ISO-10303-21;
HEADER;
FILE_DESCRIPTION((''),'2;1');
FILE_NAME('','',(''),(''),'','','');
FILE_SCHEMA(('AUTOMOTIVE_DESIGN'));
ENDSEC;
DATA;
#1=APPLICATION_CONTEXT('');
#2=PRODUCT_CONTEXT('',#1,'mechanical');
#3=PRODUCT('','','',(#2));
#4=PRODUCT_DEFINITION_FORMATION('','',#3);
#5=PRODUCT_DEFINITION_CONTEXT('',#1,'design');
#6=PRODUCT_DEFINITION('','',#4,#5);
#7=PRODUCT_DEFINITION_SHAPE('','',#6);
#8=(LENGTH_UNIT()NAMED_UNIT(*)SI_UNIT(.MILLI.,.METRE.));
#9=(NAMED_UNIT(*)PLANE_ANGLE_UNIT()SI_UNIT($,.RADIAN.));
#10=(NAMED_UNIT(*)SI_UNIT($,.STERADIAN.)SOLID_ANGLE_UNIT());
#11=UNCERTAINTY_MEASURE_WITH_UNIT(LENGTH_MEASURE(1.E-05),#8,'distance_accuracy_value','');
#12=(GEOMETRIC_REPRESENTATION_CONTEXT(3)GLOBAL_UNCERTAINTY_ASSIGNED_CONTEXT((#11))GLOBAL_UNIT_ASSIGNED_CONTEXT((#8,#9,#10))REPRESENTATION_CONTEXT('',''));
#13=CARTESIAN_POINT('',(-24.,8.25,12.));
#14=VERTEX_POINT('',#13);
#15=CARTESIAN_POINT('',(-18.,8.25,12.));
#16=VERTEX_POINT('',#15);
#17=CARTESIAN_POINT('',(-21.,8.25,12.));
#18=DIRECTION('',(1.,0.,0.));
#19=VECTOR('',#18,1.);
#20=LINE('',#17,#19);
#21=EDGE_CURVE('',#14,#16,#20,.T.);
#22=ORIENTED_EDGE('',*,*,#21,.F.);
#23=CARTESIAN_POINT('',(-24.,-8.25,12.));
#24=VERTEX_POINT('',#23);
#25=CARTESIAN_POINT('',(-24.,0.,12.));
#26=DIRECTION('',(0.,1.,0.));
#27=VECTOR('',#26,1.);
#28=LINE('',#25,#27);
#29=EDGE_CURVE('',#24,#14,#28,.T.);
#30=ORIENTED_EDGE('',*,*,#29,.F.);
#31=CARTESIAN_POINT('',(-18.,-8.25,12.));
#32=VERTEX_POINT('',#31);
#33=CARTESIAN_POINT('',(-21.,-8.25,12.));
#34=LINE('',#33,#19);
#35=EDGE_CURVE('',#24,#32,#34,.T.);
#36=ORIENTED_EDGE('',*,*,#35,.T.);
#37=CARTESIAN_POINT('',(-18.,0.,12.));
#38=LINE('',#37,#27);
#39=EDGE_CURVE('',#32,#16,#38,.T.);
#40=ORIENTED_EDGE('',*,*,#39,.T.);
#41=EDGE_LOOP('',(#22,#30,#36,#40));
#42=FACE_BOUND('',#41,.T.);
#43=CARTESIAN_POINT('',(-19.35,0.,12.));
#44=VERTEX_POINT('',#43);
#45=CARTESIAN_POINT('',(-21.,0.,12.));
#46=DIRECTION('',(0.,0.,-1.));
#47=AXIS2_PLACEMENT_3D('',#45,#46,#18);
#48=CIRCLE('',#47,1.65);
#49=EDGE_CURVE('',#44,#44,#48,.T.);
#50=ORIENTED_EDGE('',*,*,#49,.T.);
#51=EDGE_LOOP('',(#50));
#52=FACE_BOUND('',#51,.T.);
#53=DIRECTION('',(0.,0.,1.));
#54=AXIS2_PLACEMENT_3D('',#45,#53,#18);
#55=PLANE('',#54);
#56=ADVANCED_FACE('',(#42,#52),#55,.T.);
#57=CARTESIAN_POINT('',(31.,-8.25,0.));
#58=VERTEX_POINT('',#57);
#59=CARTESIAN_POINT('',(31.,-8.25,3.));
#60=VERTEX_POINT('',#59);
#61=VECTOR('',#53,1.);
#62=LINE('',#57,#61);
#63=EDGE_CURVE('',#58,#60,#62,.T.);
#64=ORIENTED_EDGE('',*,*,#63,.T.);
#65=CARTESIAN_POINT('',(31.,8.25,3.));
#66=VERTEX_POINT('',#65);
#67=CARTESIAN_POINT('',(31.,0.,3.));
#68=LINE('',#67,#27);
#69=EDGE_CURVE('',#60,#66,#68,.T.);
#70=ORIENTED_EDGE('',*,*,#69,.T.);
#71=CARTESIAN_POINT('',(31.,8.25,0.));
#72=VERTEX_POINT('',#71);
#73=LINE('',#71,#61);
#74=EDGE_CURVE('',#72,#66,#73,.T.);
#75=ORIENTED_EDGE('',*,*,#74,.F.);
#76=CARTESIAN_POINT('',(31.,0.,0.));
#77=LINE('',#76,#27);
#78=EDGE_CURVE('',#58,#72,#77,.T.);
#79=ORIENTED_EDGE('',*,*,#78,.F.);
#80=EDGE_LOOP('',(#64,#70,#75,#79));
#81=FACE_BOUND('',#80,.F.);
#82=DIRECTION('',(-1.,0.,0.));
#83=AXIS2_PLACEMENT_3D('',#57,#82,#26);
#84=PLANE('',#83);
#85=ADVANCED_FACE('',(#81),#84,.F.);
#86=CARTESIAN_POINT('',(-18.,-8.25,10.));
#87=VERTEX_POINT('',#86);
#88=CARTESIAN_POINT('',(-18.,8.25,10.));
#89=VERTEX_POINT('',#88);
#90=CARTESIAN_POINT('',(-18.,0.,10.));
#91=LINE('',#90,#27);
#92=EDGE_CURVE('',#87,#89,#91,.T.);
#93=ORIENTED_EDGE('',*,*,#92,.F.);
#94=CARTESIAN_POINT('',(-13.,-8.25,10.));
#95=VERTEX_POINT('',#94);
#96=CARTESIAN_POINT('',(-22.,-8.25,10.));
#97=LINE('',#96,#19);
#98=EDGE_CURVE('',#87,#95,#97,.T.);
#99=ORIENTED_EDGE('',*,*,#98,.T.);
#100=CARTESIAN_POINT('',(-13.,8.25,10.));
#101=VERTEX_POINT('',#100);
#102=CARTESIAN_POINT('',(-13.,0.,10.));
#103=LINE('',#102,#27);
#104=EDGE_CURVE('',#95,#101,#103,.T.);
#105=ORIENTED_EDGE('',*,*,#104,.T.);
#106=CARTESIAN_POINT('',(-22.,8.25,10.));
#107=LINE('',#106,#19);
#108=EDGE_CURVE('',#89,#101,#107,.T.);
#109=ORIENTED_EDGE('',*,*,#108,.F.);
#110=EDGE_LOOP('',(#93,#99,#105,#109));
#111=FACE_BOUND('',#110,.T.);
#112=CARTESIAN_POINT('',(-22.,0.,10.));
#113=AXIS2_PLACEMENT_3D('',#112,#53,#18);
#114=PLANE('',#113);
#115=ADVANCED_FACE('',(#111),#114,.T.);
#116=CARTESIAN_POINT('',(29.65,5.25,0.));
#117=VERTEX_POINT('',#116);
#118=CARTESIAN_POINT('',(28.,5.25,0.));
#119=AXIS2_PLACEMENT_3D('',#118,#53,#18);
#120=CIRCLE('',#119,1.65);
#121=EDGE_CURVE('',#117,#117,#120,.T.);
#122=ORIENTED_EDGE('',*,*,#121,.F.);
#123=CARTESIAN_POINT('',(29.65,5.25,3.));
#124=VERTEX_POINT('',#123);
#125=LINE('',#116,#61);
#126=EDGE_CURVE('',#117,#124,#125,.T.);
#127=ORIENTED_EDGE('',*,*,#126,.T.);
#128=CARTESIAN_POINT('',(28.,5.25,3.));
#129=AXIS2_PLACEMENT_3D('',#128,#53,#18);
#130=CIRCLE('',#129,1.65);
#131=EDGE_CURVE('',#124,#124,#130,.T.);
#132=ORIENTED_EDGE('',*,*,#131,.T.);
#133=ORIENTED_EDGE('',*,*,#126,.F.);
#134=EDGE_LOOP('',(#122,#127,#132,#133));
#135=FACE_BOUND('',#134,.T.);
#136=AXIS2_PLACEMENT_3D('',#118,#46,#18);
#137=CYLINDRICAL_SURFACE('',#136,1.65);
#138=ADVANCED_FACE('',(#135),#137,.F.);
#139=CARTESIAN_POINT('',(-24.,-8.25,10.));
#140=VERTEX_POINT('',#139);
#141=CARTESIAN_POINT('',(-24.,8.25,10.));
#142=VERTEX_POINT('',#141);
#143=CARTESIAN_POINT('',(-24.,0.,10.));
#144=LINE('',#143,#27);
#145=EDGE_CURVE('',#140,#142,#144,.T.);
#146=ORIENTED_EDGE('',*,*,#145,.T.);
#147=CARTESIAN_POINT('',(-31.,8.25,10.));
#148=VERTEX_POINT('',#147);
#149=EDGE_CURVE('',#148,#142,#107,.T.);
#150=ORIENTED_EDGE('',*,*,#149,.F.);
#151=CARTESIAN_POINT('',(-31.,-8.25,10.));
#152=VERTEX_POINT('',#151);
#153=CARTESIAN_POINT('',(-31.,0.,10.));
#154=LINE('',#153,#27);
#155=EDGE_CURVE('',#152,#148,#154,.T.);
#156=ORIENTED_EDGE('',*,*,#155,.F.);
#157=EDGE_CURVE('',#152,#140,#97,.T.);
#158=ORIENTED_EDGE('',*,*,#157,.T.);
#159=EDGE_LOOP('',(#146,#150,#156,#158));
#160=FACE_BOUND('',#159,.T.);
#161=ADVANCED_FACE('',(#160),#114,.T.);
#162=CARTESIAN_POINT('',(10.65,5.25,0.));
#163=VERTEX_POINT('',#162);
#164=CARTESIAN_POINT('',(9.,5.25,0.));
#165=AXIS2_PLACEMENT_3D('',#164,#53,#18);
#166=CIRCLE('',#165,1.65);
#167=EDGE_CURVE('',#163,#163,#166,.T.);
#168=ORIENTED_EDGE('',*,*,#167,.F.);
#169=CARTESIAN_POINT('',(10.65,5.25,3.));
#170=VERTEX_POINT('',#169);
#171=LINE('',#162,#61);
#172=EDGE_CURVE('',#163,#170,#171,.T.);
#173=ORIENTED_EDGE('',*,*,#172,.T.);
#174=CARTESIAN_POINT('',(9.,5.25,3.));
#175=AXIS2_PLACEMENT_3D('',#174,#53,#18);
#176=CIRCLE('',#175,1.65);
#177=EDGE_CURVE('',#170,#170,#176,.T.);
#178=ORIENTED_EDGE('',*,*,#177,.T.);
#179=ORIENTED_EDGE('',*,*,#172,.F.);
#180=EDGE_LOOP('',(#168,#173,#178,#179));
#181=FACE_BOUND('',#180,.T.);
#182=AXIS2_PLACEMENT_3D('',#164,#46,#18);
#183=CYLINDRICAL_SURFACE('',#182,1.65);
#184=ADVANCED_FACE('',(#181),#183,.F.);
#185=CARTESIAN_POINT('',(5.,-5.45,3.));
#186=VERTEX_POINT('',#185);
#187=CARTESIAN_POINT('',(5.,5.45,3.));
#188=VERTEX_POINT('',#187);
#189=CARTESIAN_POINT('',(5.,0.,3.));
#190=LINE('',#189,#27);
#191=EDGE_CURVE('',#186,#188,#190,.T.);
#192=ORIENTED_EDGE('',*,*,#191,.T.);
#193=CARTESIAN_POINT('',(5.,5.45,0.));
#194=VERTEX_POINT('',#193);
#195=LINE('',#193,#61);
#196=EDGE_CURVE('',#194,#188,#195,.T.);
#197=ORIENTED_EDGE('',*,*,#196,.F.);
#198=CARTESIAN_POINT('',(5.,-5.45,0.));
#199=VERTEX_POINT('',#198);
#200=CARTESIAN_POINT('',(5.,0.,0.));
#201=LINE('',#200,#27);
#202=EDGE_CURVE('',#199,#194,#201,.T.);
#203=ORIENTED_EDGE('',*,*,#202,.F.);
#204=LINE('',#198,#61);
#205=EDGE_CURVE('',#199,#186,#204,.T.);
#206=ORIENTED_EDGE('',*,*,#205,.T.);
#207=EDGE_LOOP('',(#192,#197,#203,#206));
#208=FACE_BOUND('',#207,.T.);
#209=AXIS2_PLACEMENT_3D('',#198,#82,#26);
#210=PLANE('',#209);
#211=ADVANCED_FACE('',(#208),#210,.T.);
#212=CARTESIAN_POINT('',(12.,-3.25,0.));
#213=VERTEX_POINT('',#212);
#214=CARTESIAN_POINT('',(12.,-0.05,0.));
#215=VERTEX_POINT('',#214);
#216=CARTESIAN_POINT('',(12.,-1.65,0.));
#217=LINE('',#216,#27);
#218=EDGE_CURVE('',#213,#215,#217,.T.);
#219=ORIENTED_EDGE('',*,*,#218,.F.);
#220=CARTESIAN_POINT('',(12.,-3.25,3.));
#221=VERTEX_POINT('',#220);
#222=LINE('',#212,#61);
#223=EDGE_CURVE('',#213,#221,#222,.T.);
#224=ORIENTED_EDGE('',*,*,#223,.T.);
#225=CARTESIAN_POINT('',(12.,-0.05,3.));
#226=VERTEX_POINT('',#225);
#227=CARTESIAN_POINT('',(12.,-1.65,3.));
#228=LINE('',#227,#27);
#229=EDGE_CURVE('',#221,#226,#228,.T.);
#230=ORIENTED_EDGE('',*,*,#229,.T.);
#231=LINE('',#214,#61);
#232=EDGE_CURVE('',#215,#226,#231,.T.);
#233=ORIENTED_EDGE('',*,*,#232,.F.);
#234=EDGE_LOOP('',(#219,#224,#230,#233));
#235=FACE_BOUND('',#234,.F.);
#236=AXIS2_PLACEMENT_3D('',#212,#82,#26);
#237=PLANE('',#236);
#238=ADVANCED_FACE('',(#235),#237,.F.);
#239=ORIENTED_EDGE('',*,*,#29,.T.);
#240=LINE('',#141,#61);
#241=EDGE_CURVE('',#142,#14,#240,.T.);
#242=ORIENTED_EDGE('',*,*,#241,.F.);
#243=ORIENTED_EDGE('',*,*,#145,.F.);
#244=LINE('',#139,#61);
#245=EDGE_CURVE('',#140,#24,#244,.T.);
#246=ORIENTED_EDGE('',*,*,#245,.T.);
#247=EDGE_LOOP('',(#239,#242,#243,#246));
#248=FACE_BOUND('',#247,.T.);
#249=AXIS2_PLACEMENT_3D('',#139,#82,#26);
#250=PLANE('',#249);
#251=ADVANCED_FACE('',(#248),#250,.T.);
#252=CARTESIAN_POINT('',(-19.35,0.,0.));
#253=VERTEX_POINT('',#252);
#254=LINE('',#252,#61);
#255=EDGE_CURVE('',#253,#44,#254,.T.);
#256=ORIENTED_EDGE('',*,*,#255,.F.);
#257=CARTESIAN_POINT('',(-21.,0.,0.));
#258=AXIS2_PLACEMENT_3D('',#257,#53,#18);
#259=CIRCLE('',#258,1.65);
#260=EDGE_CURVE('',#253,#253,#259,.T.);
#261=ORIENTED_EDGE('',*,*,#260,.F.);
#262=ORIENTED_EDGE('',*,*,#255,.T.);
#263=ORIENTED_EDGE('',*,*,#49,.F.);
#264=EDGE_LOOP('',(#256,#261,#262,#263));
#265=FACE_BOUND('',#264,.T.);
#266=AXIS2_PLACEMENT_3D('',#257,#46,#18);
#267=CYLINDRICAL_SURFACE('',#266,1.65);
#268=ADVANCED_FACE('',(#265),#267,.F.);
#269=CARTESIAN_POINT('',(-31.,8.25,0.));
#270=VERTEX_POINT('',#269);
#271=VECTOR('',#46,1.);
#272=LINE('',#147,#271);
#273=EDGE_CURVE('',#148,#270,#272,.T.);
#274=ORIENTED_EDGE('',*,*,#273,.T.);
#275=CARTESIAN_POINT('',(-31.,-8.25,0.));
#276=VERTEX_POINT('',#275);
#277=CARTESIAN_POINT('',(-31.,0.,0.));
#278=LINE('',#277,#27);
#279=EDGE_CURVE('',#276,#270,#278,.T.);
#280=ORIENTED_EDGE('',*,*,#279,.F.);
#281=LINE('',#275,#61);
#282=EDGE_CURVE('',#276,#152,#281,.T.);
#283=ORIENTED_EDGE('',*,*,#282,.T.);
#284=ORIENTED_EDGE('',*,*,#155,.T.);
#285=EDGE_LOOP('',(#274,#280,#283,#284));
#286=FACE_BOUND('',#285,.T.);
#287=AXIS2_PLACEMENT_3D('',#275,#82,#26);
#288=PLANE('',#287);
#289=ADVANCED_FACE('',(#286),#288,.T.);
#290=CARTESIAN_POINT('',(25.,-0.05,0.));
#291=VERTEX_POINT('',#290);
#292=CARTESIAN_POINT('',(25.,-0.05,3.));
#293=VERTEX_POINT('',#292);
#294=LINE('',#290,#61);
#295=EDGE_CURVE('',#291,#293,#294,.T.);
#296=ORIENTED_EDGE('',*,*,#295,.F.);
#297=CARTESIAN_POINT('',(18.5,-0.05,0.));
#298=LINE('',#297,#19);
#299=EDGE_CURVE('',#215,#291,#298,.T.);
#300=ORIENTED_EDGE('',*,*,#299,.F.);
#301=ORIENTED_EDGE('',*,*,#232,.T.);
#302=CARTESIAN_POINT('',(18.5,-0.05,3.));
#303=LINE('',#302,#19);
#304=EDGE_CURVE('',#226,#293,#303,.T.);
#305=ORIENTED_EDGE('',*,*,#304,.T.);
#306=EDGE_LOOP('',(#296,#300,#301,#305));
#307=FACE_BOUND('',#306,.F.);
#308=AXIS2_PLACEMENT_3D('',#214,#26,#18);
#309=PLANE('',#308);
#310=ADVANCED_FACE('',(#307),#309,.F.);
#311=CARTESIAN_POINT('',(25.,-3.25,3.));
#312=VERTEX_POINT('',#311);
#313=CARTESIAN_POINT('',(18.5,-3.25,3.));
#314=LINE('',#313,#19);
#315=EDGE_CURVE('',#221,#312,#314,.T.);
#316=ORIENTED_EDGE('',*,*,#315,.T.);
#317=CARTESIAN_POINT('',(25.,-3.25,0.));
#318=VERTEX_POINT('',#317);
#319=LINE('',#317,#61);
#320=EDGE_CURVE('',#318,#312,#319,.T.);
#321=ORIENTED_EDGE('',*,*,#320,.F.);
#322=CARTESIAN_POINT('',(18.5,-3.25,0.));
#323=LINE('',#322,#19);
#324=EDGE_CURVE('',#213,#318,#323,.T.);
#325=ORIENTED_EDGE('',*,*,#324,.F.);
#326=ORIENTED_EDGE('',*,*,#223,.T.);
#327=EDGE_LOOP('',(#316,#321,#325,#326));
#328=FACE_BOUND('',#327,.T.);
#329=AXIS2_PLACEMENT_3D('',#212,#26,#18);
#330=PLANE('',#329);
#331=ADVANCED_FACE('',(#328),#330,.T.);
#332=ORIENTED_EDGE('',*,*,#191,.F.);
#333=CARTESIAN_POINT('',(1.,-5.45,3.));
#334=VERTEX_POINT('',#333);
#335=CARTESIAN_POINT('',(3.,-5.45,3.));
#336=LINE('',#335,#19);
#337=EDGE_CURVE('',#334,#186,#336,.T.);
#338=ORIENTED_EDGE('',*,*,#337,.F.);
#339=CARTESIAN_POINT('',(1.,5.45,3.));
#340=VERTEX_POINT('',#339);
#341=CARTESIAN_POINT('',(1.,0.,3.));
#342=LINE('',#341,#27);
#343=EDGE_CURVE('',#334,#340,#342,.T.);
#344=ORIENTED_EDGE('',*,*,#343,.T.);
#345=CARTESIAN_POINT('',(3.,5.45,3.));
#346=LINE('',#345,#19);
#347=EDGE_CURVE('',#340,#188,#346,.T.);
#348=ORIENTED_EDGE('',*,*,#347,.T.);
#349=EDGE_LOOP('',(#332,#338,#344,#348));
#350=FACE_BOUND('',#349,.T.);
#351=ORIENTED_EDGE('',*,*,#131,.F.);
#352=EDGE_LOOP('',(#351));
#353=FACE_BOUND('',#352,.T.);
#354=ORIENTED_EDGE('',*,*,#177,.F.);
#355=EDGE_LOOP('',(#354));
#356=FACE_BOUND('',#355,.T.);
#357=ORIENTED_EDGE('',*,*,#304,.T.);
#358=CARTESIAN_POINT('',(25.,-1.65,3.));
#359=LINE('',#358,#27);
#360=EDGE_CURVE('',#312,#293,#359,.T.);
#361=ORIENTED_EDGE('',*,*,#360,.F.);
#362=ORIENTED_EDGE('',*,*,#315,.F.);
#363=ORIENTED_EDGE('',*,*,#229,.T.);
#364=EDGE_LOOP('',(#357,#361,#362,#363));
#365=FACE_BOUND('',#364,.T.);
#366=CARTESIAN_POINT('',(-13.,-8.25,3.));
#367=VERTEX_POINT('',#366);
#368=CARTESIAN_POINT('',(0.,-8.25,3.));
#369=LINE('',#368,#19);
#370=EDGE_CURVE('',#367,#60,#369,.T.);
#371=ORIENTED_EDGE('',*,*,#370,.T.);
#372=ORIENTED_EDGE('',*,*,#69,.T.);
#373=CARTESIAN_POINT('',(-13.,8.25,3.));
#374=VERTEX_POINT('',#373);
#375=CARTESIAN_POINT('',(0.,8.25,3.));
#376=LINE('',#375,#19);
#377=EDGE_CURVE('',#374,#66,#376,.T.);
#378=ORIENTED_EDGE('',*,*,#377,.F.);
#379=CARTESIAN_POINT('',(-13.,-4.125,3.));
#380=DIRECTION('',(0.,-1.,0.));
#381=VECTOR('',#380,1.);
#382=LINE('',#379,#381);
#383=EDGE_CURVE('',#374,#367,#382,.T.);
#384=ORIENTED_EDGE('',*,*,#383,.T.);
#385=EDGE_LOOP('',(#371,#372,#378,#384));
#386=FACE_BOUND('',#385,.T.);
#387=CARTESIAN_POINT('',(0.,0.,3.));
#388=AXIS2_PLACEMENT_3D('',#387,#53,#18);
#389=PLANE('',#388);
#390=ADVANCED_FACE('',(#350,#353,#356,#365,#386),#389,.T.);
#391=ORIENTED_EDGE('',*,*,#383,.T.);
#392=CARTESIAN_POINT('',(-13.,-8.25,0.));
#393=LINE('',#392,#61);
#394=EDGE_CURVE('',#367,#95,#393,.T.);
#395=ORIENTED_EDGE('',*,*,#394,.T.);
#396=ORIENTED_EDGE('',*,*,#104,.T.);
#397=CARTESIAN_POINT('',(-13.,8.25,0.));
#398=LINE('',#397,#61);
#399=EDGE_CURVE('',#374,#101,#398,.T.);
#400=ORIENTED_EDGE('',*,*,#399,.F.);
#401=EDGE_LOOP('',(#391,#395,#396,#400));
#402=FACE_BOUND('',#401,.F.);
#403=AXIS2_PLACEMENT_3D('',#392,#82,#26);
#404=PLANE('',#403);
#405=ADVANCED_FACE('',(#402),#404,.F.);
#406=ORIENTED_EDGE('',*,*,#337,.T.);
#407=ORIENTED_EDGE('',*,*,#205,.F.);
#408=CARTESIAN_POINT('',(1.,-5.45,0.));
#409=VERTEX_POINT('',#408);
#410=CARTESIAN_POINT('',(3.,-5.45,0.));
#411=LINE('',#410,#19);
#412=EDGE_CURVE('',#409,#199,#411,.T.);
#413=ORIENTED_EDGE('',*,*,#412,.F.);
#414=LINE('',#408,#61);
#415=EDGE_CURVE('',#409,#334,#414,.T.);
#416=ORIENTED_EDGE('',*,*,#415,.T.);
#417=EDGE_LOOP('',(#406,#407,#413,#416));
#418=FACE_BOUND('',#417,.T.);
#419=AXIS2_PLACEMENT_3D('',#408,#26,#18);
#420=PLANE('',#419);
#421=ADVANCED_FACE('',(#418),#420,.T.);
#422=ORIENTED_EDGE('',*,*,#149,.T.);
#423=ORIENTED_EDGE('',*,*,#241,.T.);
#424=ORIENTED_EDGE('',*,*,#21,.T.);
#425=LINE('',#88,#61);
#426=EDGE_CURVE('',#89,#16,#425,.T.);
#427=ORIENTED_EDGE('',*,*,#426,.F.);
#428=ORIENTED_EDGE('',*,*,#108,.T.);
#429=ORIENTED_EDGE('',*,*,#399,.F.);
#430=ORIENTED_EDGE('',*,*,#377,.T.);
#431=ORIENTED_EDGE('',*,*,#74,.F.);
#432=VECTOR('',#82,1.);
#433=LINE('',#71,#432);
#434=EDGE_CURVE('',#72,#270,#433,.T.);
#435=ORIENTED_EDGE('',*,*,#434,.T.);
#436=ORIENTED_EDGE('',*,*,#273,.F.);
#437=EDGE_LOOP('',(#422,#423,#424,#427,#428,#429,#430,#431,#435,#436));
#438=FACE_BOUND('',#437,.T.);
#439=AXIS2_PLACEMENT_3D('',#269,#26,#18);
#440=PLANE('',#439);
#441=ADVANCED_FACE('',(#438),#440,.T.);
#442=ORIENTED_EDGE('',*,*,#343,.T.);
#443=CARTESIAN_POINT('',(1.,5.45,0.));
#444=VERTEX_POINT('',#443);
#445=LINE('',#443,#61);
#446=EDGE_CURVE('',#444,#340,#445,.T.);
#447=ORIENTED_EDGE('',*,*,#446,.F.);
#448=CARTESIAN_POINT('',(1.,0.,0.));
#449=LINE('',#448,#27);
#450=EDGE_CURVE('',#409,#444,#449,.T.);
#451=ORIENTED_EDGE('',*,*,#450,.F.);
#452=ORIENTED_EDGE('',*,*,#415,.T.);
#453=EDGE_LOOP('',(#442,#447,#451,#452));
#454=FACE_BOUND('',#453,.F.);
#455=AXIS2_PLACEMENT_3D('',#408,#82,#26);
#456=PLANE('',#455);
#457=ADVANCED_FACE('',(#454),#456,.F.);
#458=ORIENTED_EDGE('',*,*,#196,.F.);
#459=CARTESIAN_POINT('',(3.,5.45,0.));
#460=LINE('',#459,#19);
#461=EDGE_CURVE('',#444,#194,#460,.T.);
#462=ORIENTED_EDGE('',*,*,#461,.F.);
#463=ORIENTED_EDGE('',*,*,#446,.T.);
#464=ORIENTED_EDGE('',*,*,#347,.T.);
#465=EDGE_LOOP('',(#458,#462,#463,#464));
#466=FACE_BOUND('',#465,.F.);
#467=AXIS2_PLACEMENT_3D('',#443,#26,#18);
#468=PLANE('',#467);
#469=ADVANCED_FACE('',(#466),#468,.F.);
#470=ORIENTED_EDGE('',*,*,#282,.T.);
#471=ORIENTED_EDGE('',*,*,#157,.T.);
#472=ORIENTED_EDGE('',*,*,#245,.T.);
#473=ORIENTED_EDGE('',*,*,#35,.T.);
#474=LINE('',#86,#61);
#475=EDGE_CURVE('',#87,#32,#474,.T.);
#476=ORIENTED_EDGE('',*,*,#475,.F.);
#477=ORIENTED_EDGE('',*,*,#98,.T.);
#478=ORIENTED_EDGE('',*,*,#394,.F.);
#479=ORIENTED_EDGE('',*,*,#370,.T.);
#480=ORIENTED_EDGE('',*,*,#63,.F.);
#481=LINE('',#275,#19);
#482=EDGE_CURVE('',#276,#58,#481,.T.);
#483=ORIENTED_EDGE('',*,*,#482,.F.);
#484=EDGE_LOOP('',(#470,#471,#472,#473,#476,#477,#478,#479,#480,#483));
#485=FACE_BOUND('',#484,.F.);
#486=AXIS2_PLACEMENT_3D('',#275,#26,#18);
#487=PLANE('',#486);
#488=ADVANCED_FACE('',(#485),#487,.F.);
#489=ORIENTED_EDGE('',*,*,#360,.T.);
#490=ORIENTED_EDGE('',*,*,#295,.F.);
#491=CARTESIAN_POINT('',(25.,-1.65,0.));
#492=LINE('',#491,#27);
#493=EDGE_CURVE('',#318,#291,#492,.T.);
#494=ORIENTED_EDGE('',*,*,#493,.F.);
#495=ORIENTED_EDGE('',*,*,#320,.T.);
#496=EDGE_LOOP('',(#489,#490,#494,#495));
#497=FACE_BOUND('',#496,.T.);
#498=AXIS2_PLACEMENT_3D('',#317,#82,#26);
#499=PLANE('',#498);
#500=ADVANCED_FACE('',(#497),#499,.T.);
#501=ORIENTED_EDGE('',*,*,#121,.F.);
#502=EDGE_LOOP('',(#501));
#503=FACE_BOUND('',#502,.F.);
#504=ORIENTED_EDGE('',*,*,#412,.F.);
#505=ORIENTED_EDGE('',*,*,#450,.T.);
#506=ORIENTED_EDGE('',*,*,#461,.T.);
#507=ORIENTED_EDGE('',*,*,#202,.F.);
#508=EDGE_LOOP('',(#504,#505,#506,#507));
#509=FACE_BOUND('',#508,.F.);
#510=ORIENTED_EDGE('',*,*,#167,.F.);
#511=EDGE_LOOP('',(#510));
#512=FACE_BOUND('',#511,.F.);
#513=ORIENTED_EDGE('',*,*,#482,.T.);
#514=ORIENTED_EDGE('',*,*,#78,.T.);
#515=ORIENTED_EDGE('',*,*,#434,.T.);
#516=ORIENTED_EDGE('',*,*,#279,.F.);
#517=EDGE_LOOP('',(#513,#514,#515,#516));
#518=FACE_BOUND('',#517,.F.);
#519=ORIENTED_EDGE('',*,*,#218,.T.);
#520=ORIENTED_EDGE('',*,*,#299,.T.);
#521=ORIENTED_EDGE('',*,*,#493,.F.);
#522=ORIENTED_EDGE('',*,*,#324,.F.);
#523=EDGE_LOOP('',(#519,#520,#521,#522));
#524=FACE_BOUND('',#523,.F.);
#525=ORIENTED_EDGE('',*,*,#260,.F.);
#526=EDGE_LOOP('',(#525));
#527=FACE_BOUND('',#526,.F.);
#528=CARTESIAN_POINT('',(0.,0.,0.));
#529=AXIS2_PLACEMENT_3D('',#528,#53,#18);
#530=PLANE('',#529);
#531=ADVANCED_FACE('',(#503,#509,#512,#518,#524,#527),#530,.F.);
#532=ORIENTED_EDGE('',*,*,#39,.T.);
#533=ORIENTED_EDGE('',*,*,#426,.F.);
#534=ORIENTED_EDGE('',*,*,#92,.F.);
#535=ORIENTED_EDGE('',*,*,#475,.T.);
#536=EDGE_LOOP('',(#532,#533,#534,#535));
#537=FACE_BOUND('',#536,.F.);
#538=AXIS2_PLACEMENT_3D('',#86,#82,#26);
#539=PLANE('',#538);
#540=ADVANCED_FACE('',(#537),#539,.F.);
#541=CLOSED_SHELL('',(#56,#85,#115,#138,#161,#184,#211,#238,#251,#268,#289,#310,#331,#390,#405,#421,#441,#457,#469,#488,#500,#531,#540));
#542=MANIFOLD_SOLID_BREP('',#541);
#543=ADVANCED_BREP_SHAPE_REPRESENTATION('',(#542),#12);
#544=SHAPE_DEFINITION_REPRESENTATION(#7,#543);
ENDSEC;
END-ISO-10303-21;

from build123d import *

# Parameters (mm, degrees)
SKETCH050_W     = 62
SKETCH050_H     = 16.5
SKETCH050_R     = 1.65
SKETCH050_W_2   = 13
SKETCH050_H_2   = 3.2
SKETCH050_W_3   = 4
SKETCH050_H_3   = 10.9
PAD010_DEPTH    = 3
SKETCH051_W     = 18
SKETCH051_H     = 16.5
PAD011_DEPTH    = 10
SKETCH052_R     = 1.65
POCKET031_DEPTH = 31.001
SKETCH053_W     = 6
SKETCH053_H     = 16.5
PAD012_DEPTH    = 2
SKETCH054_R     = 1.65
POCKET032_DEPTH = 12.001


with BuildPart() as part:
    # Sketch050 → Pad010 (new body)
    with BuildSketch(Plane.XY):
        Rectangle(SKETCH050_W, SKETCH050_H)
        with Locations((-21, 0)):
            Circle(SKETCH050_R, mode=Mode.SUBTRACT)
        with Locations((28, 5.25)):
            Circle(SKETCH050_R, mode=Mode.SUBTRACT)
        with Locations((9, 5.25)):
            Circle(SKETCH050_R, mode=Mode.SUBTRACT)
        with Locations((18.5, -1.65)):
            Rectangle(SKETCH050_W_2, SKETCH050_H_2, mode=Mode.SUBTRACT)
        with Locations((3, 0)):
            Rectangle(SKETCH050_W_3, SKETCH050_H_3, mode=Mode.SUBTRACT)
    extrude(amount=PAD010_DEPTH)

    # Sketch051 → Pad011 (join)
    with BuildSketch(Plane.XY):
        with Locations((-22, 0)):
            Rectangle(SKETCH051_W, SKETCH051_H)
    extrude(amount=PAD011_DEPTH)

    # Sketch052 → Pocket031 (cut, through all)
    with BuildSketch(Plane.YZ):
        with Locations((0, 13)):
            Circle(SKETCH052_R)
    extrude(amount=-POCKET031_DEPTH, mode=Mode.SUBTRACT)

    # Sketch053 → Pad012 (join)
    with BuildSketch(Plane.XY.offset(10)):
        with Locations((-21, 0)):
            Rectangle(SKETCH053_W, SKETCH053_H)
    extrude(amount=PAD012_DEPTH)

    # Sketch054 → Pocket032 (cut, through all)
    with BuildSketch(Plane.XY):
        with Locations((-21, 0)):
            Circle(SKETCH054_R)
    extrude(amount=POCKET032_DEPTH, mode=Mode.SUBTRACT)


solid = part.part
